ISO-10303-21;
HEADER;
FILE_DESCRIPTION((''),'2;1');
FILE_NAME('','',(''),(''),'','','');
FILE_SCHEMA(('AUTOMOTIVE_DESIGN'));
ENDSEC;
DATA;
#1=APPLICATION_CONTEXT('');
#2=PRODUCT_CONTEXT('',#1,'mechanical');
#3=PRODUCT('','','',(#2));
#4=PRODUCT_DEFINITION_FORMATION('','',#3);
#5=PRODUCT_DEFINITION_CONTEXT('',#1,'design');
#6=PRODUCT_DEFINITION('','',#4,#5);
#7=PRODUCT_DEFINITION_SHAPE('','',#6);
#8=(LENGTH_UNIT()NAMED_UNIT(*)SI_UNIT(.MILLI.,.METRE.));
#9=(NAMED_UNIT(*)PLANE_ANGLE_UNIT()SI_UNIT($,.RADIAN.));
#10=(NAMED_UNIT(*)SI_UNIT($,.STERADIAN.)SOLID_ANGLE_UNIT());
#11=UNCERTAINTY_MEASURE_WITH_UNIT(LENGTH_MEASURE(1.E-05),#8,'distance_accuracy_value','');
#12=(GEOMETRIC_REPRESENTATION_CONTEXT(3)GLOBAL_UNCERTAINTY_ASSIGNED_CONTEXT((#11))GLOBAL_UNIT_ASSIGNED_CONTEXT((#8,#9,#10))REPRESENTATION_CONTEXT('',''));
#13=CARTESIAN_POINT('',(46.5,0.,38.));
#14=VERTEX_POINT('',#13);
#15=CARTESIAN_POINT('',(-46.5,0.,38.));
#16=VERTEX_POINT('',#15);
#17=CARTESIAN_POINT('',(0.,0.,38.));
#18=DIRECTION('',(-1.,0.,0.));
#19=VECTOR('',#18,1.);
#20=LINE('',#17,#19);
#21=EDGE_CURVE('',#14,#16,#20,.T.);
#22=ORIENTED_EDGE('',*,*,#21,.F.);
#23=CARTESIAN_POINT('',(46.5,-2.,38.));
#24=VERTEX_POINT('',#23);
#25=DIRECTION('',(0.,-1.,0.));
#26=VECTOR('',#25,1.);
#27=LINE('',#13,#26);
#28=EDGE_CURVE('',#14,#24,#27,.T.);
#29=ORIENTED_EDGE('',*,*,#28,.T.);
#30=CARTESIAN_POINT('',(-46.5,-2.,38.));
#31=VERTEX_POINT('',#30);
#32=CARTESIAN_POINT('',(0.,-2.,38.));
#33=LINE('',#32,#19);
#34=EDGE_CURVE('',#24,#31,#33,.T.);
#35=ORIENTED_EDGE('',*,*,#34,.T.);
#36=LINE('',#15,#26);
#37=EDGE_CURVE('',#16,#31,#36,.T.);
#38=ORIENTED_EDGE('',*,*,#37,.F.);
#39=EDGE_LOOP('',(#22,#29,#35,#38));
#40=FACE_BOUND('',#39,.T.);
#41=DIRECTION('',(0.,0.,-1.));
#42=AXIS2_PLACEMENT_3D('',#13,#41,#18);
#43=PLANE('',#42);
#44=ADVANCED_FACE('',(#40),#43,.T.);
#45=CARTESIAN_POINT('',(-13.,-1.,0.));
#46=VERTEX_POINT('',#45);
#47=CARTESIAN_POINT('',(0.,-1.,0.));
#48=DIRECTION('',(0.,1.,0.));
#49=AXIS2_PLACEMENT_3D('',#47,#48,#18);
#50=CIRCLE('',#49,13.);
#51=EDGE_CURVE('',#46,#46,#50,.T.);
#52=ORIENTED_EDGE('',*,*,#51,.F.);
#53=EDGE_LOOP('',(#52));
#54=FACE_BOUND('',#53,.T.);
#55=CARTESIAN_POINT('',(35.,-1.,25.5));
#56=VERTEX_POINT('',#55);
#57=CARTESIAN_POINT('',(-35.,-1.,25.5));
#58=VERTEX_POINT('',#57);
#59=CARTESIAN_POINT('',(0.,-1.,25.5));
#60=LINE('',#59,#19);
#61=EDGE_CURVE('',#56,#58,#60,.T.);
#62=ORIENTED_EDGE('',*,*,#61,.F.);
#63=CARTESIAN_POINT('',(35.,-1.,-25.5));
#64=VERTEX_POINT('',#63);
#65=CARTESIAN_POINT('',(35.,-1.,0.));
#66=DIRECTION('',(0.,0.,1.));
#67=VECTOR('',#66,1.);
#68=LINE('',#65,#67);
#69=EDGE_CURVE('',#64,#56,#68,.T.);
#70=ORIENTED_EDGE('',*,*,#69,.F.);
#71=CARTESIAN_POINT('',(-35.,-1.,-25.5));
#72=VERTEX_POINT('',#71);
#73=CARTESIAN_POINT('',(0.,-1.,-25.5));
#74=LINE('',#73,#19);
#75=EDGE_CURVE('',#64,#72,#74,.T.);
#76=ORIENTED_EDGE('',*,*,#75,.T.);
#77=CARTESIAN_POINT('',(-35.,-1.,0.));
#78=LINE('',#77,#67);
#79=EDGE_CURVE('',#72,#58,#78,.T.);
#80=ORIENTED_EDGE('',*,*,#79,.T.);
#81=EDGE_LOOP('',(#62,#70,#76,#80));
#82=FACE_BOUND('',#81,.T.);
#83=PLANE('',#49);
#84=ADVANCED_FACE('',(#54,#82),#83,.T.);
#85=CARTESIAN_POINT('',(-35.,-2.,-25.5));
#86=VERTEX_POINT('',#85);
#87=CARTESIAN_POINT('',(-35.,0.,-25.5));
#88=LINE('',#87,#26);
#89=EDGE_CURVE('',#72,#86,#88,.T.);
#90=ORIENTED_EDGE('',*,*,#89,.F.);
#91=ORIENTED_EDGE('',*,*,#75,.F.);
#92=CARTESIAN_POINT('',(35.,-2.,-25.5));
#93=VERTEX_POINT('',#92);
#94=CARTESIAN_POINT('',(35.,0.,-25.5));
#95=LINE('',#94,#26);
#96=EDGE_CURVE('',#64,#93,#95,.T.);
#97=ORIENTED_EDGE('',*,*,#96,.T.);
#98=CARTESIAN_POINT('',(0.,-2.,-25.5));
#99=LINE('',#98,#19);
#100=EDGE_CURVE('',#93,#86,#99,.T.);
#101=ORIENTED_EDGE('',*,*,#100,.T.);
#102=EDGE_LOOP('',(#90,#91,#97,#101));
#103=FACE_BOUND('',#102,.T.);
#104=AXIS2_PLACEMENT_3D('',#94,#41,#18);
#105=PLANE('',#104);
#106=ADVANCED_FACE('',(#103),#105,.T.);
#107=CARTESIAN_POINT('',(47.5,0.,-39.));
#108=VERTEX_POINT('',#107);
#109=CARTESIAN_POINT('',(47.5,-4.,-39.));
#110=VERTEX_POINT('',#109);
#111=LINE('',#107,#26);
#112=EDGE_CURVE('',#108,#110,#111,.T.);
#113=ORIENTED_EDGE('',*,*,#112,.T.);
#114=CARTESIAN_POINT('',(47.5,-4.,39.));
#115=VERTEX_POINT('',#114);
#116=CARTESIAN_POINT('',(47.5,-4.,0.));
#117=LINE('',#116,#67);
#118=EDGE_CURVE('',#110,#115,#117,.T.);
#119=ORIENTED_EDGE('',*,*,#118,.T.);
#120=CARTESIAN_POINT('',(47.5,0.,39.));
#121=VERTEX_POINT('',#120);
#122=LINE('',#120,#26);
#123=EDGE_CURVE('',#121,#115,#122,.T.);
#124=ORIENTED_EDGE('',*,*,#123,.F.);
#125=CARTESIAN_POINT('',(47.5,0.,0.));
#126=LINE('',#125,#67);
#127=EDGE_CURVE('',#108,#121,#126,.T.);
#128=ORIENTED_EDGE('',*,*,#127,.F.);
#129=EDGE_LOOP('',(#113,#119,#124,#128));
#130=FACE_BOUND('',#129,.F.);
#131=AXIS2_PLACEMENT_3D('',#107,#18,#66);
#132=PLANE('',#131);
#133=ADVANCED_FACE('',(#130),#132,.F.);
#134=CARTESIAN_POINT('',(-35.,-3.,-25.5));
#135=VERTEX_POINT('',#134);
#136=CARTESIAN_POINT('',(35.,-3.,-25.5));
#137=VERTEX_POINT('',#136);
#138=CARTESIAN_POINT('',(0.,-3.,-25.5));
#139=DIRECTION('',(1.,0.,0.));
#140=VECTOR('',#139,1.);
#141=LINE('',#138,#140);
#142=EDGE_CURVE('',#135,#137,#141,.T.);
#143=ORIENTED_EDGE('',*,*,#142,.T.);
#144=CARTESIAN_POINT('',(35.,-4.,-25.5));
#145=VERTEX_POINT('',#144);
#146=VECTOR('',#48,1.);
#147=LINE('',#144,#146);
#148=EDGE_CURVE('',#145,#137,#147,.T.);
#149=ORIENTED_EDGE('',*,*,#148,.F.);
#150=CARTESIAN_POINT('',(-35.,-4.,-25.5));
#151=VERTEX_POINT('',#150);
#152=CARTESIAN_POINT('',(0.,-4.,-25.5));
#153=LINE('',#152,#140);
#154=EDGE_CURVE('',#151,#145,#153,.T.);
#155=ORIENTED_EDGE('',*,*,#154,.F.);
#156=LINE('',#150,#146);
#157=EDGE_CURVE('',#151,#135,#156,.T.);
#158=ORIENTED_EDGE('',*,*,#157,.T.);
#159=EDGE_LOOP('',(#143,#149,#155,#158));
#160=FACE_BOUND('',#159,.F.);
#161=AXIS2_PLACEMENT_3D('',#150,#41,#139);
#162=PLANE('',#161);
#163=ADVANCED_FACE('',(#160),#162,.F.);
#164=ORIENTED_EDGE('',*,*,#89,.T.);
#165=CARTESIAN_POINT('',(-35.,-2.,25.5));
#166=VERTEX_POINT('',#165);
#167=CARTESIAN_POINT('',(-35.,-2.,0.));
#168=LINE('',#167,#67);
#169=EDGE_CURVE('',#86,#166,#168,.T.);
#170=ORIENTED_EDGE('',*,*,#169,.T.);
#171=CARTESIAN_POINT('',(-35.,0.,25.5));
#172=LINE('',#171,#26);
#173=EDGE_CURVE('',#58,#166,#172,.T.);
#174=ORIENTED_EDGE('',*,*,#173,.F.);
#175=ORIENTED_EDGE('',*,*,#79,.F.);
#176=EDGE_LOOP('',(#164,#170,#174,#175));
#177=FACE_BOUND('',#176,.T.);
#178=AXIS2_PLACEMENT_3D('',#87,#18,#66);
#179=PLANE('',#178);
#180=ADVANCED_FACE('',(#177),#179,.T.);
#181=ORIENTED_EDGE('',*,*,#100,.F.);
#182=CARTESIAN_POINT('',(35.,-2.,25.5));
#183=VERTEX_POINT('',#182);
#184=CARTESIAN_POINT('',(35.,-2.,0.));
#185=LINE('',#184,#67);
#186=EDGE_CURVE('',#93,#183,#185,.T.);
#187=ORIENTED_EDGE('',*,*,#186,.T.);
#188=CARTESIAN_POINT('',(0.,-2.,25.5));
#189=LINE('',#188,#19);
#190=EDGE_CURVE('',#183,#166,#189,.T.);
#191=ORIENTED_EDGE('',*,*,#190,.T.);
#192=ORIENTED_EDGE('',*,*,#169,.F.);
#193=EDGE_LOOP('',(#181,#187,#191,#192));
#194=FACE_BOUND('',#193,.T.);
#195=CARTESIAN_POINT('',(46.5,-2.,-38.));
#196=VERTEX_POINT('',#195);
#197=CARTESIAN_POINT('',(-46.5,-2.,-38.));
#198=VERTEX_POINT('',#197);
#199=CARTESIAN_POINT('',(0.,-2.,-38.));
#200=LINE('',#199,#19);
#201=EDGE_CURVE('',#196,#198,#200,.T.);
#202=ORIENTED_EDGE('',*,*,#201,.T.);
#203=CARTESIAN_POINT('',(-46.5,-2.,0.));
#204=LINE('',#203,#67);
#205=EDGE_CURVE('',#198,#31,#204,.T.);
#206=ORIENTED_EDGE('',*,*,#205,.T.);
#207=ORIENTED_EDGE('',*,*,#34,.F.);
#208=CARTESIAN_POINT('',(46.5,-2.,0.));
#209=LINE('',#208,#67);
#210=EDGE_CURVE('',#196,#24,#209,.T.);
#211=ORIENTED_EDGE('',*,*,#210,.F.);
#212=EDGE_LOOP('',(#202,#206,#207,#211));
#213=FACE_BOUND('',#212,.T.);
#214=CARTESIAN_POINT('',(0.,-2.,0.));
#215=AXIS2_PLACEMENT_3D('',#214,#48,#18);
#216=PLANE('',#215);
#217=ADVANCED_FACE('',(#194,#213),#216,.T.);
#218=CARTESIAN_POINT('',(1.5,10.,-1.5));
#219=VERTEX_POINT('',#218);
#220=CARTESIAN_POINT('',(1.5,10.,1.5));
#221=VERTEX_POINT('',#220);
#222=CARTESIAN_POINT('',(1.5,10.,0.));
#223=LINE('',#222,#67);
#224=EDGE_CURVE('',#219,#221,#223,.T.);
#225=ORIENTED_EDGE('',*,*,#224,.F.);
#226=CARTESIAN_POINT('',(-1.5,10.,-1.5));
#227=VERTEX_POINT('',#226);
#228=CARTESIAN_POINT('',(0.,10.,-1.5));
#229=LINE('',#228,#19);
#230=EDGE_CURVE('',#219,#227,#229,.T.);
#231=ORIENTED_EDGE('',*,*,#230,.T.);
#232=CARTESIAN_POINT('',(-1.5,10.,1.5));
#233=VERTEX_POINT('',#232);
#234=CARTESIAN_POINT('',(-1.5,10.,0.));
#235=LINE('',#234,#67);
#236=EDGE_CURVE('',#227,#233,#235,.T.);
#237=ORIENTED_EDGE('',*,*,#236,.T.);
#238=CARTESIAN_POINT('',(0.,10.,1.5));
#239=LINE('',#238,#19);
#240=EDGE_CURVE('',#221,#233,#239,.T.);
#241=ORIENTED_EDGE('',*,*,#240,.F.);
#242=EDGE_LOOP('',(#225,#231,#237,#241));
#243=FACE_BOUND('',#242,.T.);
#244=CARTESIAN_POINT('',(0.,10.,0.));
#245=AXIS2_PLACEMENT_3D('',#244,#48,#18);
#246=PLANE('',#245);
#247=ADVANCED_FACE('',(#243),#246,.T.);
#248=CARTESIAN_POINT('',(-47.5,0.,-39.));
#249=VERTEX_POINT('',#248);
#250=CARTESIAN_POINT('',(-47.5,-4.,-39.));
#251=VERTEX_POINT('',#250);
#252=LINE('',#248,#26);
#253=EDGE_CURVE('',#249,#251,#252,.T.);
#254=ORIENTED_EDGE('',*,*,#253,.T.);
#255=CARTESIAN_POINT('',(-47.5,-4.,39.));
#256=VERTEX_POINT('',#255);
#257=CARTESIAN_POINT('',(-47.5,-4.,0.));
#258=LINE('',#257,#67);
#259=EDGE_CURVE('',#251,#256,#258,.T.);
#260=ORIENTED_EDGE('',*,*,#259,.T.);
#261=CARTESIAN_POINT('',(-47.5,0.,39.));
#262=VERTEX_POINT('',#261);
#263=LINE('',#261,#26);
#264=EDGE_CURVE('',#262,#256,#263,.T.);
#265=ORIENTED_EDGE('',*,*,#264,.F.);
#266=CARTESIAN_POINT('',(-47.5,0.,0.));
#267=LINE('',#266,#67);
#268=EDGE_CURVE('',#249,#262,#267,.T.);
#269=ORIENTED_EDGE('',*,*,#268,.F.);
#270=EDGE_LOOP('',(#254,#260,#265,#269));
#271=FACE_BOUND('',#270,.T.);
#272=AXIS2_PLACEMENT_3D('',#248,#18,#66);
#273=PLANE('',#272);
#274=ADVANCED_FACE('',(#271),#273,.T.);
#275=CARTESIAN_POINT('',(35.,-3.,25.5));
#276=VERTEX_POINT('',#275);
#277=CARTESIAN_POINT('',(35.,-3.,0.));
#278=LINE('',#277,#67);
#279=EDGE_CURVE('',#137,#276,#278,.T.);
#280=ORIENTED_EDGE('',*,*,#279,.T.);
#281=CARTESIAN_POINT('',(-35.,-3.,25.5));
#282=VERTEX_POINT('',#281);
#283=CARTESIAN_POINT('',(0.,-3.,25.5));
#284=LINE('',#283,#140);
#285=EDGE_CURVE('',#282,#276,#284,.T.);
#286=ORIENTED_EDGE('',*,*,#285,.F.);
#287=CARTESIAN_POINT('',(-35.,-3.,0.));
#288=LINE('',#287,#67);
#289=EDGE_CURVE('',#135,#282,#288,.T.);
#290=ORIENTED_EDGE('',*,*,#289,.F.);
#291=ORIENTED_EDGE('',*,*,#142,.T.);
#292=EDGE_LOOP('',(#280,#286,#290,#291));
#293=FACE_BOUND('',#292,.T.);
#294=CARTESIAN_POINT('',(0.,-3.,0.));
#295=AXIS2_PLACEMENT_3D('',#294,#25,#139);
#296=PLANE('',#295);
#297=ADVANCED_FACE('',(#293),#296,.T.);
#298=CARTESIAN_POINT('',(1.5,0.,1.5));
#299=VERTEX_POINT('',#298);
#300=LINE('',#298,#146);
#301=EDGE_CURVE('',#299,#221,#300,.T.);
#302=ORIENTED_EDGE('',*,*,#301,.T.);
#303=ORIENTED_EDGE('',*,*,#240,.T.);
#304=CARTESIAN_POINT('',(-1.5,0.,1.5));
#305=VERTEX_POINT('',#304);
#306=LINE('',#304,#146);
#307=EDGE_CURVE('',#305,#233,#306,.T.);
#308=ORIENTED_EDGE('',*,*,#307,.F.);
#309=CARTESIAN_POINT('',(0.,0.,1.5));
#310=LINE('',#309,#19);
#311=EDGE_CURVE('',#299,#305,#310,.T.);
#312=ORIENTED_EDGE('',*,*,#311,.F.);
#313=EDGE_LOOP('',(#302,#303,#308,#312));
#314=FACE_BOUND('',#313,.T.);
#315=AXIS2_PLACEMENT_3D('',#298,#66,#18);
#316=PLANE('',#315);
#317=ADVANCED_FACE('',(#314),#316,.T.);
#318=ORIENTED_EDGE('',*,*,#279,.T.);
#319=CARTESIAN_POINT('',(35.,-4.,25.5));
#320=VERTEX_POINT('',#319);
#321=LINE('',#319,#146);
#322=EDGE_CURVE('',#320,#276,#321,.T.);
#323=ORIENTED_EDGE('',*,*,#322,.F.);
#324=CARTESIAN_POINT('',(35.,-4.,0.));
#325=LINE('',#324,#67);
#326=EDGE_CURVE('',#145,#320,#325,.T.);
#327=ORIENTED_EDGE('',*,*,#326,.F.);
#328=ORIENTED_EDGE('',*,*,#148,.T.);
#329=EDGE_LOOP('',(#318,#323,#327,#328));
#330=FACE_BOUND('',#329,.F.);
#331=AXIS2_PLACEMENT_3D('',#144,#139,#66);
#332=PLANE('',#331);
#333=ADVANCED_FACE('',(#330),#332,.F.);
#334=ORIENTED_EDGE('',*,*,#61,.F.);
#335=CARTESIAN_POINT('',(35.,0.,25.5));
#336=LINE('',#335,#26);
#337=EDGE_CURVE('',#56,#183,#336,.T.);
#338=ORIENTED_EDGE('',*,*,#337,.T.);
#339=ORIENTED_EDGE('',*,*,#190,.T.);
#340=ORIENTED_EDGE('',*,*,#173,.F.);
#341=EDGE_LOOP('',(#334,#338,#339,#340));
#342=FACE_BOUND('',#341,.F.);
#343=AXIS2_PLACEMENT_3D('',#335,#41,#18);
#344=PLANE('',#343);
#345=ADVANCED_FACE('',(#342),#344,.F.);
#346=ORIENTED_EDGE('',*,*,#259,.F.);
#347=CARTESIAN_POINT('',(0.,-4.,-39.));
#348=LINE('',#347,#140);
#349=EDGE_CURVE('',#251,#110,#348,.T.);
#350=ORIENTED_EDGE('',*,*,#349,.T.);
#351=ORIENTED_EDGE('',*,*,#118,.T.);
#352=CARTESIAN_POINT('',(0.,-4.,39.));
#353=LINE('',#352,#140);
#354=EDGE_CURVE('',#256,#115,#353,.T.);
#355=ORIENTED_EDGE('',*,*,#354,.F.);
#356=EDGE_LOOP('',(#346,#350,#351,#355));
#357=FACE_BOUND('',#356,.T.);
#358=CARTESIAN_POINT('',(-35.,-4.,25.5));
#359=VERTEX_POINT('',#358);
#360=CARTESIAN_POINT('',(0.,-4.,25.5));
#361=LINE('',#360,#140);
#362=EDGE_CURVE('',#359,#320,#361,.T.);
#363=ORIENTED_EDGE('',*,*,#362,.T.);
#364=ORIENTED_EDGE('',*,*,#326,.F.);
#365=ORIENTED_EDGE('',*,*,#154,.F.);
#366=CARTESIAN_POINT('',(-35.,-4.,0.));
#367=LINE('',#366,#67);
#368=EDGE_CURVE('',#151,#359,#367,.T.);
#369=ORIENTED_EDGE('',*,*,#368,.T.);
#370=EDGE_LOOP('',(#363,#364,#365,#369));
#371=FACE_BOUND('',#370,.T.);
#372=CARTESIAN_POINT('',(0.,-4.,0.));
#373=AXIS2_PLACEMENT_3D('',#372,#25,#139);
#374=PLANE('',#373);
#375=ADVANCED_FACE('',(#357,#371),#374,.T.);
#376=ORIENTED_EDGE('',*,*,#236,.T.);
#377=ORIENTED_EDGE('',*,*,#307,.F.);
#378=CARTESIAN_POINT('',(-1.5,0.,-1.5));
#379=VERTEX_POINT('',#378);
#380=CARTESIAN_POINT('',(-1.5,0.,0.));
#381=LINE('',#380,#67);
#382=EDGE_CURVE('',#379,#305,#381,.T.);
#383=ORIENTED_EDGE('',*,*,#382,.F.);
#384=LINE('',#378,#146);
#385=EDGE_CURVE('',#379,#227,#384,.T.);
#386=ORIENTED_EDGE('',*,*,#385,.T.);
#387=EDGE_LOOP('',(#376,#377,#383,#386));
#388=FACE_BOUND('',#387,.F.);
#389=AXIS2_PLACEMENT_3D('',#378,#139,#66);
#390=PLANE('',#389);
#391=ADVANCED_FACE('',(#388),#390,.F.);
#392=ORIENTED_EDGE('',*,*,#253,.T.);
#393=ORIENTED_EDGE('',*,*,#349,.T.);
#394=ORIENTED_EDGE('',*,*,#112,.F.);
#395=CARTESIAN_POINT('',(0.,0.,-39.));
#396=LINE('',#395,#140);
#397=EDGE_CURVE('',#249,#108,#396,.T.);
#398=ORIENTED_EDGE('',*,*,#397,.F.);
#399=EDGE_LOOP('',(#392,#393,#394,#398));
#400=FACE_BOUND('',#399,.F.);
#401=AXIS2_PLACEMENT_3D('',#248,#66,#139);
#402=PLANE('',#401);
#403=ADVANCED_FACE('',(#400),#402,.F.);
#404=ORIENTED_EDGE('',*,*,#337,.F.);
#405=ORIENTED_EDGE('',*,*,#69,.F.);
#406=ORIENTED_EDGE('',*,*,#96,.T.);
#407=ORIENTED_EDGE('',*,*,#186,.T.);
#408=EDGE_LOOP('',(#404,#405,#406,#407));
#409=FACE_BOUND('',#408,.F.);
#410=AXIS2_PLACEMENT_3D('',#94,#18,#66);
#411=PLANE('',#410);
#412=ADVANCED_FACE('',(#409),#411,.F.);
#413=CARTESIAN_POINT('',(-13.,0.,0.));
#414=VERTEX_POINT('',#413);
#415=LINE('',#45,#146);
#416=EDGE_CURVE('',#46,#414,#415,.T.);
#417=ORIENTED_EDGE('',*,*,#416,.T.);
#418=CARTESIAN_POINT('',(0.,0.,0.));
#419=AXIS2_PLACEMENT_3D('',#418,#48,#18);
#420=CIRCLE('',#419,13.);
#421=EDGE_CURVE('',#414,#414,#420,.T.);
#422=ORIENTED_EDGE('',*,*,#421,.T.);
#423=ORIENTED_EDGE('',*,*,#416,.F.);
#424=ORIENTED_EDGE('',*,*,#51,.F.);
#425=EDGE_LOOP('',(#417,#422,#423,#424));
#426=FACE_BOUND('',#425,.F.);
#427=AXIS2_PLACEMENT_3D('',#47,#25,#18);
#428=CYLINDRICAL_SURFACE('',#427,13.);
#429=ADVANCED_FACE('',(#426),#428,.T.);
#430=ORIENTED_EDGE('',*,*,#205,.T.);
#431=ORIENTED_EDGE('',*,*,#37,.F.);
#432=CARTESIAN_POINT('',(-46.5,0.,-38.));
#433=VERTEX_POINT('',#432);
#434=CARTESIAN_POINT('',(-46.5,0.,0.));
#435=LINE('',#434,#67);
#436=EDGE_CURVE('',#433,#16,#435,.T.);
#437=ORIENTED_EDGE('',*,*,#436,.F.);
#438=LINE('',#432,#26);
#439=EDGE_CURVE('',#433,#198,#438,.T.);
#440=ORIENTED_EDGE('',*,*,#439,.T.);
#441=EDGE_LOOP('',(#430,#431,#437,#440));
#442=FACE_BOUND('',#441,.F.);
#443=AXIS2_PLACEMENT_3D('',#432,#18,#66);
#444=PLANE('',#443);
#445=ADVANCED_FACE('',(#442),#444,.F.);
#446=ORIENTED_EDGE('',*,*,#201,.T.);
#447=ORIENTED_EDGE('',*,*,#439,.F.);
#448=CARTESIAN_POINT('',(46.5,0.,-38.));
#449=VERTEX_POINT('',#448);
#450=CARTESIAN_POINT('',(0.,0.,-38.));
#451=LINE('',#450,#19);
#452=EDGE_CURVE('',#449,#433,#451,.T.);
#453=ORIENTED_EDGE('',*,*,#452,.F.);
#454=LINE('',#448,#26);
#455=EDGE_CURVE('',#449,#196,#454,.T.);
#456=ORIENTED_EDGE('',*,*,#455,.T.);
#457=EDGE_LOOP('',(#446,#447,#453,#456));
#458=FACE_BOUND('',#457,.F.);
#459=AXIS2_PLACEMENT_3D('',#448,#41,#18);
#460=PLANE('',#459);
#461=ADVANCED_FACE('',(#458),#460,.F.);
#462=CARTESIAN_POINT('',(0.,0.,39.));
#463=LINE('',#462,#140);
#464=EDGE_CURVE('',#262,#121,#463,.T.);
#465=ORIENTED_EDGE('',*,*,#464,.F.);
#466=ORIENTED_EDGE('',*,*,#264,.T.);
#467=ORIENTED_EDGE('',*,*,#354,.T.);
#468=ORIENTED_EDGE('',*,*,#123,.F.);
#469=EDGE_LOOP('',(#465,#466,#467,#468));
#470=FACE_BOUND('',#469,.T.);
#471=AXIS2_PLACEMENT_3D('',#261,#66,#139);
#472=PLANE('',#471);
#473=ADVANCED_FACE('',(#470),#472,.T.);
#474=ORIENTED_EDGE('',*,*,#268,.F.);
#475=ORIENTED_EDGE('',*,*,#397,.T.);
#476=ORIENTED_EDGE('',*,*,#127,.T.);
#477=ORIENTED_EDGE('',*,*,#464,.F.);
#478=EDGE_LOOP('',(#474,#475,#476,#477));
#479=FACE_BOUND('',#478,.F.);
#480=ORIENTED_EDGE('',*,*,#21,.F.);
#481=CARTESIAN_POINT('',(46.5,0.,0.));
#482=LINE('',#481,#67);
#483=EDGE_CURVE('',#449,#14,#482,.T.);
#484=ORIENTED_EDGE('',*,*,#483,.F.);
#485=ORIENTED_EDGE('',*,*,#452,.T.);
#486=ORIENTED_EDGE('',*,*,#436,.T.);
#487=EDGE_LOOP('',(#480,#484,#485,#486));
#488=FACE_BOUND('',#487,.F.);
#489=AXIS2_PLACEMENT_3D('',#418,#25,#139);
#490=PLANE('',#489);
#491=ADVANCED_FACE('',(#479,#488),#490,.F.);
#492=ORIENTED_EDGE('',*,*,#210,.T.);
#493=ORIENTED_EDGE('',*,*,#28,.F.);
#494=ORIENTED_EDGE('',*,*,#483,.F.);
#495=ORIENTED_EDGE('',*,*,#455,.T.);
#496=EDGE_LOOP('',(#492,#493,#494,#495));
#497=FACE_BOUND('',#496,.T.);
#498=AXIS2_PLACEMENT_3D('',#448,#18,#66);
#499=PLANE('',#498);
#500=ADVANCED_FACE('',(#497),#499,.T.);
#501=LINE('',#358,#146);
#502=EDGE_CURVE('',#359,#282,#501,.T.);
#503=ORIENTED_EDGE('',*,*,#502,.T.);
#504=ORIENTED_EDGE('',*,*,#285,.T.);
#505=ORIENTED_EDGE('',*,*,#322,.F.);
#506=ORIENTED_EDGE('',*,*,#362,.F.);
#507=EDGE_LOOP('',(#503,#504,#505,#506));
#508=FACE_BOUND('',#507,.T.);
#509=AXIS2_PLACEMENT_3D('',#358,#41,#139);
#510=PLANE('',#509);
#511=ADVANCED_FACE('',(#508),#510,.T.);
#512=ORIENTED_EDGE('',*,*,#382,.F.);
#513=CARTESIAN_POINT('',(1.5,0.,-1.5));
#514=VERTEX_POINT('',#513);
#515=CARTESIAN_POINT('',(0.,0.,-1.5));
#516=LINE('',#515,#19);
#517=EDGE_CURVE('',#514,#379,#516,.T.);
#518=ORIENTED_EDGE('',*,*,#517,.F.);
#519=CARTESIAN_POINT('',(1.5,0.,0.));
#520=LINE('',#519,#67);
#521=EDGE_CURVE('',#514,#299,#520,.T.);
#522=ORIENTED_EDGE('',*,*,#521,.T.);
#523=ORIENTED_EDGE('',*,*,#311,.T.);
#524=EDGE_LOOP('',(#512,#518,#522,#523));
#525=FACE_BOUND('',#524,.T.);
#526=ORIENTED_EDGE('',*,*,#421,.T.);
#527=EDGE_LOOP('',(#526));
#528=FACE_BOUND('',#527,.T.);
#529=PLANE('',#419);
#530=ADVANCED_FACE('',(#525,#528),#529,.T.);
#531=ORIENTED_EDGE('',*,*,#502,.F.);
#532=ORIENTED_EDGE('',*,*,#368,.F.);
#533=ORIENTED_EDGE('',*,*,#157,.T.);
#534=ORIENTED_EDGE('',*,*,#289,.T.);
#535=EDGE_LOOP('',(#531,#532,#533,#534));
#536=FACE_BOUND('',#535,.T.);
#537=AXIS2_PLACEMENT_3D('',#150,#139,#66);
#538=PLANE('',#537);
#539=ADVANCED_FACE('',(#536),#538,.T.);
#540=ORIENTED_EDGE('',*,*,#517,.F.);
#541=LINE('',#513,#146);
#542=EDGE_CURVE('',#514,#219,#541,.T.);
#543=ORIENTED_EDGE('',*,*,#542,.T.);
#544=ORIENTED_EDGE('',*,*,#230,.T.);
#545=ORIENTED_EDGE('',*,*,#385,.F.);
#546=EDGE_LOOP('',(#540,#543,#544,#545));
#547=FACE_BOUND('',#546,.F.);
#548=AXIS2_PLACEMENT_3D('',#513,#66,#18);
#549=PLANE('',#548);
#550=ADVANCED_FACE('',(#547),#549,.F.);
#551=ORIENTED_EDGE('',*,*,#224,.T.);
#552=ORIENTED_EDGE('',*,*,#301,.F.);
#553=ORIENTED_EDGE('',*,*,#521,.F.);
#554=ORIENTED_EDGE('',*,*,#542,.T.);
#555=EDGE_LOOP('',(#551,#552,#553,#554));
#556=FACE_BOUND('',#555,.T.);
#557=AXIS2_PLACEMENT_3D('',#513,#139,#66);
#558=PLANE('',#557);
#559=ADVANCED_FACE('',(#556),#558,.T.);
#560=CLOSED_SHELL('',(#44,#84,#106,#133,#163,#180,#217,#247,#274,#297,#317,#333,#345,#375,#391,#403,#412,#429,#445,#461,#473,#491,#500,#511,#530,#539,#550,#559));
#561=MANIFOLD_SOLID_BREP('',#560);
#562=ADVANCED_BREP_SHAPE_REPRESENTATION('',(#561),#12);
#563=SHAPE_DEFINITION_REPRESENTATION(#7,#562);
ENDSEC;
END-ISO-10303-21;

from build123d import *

# Parameters (mm, degrees)
F0_W      = 95
F0_H      = 78
F1_DEPTH  = 4
F2_W      = 70
F2_H      = 51
F3_DEPTH  = 1
F4_W      = 93
F4_H      = 76
F4_W_2    = 70
F4_H_2    = 51
F5_DEPTH  = 2
F6_W      = 70
F6_H      = 51
F7_DEPTH  = 1
F8_R      = 13
F9_DEPTH  = 1
F10_W     = 3
F10_H     = 3
F11_DEPTH = 10


with BuildPart() as f1:
    # F0 (on Front) → F1 (new body)
    with BuildSketch(Plane.XZ):
        Rectangle(F0_W, F0_H)
    extrude(amount=F1_DEPTH)

    # F2 (on face) → F3 (cut)
    with BuildSketch(Plane(origin=(0, 0, 0), x_dir=(-1, 0, 0), z_dir=(0, 1, 0))):
        Rectangle(F2_W, F2_H)
    extrude(amount=-F3_DEPTH, mode=Mode.SUBTRACT)

    # F4 (on face) → F5 (cut)
    with BuildSketch(Plane(origin=(0, 0, 0), x_dir=(-1, 0, 0), z_dir=(0, 1, 0))):
        Rectangle(F4_W, F4_H)
        Rectangle(F4_W_2, F4_H_2, mode=Mode.SUBTRACT)
    extrude(amount=-F5_DEPTH, mode=Mode.SUBTRACT)

    # F6 (on face) → F7 (cut)
    with BuildSketch(Plane.XZ.offset(4)):
        Rectangle(F6_W, F6_H)
    extrude(amount=-F7_DEPTH, mode=Mode.SUBTRACT)

    # F8 (on face) → F9 (join)
    with BuildSketch(Plane(origin=(0, -1, 0), x_dir=(-1, 0, 0), z_dir=(0, 1, 0))):
        Circle(F8_R)
    extrude(amount=F9_DEPTH)

    # F10 (on face) → F11 (join)
    with BuildSketch(Plane(origin=(0, 0, 0), x_dir=(-1, 0, 0), z_dir=(0, 1, 0))):
        Rectangle(F10_W, F10_H)
    extrude(amount=F11_DEPTH)


solid = f1.part
